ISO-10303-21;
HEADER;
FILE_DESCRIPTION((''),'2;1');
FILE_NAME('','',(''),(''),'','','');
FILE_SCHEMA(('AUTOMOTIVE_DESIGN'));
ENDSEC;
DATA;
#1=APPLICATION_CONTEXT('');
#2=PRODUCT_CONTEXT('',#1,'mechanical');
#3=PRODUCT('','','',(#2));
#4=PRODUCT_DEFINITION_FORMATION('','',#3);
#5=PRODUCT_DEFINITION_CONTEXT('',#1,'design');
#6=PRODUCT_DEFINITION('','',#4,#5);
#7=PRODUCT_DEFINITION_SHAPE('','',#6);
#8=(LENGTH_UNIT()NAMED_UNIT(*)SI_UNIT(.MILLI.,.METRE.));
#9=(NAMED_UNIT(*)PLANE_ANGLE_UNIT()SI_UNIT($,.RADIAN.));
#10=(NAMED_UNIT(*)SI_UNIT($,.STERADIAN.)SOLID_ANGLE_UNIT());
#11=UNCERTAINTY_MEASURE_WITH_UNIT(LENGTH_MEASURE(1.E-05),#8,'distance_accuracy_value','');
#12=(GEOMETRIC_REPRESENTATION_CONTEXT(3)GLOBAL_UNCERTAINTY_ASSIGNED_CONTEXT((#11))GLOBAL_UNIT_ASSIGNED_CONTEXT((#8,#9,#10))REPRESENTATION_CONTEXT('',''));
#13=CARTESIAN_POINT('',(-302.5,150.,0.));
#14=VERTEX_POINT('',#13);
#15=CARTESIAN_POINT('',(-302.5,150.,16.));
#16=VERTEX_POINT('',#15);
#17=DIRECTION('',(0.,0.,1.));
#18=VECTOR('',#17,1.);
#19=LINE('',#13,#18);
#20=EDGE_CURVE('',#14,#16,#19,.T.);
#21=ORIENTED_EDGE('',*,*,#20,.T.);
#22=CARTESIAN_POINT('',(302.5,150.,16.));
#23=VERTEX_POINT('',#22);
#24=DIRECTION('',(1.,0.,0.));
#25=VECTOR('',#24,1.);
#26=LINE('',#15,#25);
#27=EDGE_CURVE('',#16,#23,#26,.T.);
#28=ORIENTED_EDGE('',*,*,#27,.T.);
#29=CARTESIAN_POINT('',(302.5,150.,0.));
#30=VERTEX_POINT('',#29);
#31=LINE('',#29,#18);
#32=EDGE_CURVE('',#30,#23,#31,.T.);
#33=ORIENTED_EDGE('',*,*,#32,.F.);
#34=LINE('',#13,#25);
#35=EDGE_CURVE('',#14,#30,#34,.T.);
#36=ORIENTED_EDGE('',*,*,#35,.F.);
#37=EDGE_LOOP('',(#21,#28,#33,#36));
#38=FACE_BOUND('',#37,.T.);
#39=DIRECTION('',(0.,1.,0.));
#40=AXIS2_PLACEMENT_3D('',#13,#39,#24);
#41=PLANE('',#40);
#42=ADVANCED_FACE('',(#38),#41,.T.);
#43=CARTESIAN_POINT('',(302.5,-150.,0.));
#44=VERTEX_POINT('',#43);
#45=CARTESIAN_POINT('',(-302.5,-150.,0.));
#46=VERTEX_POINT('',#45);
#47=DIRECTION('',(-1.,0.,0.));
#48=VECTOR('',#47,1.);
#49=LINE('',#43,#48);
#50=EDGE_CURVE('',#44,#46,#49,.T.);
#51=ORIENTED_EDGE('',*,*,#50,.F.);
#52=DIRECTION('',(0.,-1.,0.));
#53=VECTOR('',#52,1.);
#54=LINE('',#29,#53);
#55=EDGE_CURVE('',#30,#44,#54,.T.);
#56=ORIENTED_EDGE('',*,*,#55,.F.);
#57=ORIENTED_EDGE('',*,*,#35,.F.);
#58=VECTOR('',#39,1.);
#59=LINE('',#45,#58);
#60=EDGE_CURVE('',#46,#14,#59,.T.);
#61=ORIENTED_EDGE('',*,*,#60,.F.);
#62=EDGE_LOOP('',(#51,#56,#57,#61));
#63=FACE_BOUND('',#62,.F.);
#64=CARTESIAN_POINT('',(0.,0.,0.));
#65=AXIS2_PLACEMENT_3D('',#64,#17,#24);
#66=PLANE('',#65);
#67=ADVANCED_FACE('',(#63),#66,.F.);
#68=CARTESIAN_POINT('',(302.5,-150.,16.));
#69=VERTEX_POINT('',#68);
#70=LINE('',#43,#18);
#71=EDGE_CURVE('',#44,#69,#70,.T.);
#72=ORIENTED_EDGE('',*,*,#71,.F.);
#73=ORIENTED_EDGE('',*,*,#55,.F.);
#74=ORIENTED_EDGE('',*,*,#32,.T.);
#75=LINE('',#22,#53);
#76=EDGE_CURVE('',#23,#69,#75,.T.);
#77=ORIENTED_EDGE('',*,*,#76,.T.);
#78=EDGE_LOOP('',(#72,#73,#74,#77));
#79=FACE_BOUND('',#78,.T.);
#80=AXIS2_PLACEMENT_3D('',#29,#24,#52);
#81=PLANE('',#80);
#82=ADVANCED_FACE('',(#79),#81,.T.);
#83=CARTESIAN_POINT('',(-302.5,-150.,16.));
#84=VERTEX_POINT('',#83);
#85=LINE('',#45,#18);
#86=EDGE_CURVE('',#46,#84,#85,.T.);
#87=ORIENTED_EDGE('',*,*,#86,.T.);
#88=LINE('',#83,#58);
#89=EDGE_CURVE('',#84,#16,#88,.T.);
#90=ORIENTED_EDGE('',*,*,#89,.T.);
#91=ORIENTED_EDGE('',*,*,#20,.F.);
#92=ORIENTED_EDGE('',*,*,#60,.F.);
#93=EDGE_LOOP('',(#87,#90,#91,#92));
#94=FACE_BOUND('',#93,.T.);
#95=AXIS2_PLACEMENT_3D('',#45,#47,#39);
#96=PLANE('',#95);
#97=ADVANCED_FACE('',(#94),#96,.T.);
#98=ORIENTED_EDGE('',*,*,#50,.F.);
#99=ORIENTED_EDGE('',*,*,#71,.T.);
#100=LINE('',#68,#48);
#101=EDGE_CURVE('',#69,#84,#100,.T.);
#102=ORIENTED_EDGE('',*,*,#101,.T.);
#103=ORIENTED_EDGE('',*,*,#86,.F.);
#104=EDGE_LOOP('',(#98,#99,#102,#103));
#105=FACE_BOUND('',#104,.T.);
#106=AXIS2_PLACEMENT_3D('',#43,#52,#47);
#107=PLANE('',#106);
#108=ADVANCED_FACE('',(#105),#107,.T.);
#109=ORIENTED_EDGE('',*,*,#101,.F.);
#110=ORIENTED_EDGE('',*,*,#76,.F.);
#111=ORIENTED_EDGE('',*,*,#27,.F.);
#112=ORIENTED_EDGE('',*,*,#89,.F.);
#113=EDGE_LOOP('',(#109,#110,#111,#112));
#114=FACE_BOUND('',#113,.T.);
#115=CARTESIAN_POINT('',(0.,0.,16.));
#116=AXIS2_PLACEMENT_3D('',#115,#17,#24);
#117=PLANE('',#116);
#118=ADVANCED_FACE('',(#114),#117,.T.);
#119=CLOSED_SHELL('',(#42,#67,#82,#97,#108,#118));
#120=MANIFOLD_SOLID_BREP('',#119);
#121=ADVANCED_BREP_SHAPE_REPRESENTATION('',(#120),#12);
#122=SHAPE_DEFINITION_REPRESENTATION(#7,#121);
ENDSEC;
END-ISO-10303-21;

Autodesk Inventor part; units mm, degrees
ref_plane "YZ Plane" through (0, 0, 0) normal (1, 0, 0) x (0, 1, 0)
ref_plane "XZ Plane" through (0, 0, 0) normal (0, 1, 0) x (-1, 0, 0)
ref_plane "XY Plane" through (0, 0, 0) normal (0, 0, 1) x (1, 0, 0)
sketch "Эскиз1" plane through (0, 0, 0) normal (0, 0, 1) x (1, 0, 0)
  line L0 (-302.5, 150) -> (302.5, 150)
  line L1 (302.5, 150) -> (302.5, -150)
  line L2 (302.5, -150) -> (-302.5, -150)
  line L3 (-302.5, -150) -> (-302.5, 150)
  line L4 (-302.5, 150) -> (302.5, -150) construction
  line L5 (302.5, 150) -> (-302.5, -150) construction
  point P0 (0, 0)
  dimension "d0" = 605
  dimension "d1" = 300
extrude "Выдавливание1" add sketch "Эскиз1" along normal blind 16
properties part number "стена_полигона"
